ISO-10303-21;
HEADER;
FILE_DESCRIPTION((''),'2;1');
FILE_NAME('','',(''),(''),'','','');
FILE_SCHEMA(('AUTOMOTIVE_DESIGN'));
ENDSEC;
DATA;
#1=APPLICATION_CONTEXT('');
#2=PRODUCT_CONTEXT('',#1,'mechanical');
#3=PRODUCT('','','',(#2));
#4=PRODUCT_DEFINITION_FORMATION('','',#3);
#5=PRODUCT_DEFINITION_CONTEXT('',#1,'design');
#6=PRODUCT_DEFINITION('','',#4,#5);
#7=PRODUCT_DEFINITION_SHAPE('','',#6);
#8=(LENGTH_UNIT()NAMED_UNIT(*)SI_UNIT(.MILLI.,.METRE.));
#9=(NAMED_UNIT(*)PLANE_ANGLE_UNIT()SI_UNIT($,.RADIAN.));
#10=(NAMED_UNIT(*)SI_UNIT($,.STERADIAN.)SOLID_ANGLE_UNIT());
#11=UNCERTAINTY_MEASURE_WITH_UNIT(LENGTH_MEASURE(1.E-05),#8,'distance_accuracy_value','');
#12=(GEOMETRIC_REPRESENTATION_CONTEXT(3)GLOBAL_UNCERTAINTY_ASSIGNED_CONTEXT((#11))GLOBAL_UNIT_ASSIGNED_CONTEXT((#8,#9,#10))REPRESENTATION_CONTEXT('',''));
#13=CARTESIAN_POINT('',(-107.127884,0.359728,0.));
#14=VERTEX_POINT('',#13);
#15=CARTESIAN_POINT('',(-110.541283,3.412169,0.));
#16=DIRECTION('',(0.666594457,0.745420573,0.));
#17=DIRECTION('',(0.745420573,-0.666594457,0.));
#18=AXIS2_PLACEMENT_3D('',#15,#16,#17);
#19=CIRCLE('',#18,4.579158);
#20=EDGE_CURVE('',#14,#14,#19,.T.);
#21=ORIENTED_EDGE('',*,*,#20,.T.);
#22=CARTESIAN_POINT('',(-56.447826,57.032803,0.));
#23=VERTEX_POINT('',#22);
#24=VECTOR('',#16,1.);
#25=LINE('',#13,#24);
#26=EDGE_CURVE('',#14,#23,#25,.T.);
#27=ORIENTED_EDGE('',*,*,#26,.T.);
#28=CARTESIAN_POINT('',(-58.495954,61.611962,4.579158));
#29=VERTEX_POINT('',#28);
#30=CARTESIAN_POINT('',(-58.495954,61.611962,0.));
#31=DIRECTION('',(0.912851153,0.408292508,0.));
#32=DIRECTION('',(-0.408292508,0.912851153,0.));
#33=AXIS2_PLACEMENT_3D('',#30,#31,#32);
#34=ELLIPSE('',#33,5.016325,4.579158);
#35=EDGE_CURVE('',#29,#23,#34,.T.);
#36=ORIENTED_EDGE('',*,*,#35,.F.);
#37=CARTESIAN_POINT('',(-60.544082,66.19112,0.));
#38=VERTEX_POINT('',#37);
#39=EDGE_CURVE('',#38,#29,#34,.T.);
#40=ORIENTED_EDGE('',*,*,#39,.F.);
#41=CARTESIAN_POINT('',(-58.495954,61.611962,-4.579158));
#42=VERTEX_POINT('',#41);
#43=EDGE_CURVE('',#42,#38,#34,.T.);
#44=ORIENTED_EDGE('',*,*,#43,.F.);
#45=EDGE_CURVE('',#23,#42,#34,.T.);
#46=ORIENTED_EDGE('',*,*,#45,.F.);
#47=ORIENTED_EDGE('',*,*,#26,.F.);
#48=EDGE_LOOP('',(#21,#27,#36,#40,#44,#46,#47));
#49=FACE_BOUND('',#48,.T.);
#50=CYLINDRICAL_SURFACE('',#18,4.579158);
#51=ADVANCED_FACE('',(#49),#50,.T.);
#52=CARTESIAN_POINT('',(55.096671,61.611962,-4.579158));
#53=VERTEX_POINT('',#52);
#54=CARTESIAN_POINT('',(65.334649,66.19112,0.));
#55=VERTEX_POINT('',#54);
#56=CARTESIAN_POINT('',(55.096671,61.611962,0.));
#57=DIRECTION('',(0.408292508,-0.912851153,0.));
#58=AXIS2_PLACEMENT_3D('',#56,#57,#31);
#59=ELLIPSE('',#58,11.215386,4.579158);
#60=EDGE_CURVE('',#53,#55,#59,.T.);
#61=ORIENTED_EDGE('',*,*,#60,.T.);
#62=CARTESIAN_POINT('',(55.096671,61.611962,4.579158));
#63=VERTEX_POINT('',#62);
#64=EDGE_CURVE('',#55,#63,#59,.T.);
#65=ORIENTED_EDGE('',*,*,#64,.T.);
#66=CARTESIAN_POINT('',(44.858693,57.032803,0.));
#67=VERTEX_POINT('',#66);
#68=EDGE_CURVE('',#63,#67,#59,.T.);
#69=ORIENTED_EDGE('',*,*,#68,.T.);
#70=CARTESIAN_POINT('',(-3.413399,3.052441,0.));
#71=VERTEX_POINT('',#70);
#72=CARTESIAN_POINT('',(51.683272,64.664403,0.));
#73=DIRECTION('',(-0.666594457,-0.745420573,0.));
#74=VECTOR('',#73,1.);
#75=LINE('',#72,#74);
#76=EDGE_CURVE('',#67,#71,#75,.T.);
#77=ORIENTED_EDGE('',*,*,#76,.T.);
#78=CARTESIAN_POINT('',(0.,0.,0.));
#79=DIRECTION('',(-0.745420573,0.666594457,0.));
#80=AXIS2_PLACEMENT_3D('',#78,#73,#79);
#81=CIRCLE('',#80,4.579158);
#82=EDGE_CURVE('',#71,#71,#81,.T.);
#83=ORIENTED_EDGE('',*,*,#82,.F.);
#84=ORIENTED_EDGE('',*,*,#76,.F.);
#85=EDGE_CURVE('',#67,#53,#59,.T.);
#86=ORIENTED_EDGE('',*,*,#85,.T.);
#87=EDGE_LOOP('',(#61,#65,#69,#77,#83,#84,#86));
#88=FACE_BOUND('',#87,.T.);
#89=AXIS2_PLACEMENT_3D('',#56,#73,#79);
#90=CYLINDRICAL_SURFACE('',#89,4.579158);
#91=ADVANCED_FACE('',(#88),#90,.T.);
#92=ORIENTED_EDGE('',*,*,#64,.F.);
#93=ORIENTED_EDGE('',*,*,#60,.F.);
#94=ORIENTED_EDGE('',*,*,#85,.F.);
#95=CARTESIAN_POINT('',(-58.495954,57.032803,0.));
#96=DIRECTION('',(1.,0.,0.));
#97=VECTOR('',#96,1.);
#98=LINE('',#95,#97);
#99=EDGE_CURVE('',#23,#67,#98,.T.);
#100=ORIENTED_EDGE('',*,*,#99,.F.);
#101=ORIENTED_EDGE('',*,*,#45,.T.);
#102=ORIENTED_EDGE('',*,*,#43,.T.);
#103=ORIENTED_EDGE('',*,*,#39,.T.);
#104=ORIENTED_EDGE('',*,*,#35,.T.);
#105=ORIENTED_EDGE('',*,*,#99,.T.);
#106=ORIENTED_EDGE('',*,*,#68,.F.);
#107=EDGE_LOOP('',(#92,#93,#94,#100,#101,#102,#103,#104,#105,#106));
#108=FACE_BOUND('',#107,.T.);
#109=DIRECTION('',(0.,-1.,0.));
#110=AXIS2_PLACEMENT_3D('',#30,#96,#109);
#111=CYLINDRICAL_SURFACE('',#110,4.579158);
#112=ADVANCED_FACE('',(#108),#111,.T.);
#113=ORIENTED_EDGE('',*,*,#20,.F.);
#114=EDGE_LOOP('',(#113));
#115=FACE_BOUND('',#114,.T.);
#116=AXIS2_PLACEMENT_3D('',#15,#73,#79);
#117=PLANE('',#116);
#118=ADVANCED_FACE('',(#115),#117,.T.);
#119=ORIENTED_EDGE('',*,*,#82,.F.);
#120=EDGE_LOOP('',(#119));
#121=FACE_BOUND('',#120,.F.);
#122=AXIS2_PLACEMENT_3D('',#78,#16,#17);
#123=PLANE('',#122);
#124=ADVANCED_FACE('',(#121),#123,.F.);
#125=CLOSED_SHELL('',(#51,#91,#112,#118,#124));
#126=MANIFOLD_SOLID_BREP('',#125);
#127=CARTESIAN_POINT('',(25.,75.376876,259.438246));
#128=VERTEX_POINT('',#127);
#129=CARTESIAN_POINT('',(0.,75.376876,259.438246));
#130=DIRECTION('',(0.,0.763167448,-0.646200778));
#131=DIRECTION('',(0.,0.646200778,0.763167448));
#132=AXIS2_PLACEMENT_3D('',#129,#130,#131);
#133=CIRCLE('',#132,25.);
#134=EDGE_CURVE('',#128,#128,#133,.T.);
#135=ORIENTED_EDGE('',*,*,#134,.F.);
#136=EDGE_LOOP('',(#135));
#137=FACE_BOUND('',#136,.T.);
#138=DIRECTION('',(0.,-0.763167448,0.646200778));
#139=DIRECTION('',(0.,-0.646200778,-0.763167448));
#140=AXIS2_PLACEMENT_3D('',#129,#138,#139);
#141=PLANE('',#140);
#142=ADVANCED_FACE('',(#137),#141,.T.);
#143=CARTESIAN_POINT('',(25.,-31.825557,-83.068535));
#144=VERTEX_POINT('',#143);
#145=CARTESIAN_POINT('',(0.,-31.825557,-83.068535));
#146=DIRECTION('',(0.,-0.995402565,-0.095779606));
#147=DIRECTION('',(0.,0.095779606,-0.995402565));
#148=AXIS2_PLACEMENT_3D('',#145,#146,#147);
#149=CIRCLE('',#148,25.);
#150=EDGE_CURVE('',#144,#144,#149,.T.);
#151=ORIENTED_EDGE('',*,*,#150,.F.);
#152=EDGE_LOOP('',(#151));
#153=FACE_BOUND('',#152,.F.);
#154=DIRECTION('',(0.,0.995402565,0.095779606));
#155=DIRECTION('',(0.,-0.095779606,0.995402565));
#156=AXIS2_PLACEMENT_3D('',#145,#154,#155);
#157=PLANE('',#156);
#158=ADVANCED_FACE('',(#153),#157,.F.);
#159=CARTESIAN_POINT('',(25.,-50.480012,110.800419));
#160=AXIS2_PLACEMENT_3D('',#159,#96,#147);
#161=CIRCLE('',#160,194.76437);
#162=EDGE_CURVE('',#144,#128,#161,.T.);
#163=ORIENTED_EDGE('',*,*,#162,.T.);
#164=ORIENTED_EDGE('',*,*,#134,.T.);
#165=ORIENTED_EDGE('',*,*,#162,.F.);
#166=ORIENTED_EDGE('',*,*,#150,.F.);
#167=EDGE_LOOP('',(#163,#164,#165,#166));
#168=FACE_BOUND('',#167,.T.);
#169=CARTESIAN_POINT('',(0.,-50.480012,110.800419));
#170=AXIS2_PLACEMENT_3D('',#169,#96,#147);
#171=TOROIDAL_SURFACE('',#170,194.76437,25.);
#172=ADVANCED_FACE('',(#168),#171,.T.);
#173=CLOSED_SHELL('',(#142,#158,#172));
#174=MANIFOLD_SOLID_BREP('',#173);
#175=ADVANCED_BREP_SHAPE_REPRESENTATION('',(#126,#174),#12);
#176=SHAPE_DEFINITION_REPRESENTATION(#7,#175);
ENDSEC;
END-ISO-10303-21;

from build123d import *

# Parameters (mm, degrees)
F2_R = 4.5791581491
F6_R = 25


with BuildPart() as f3:
    # F3: sweep along a path in F0
    with BuildLine(Plane.XY) as f3_path:
        Line((-110.5412829027, 3.412168975), (-58.4959536791, 61.6119615734))
        Line((-58.4959536791, 61.6119615734), (55.0966709852, 61.6119615734))
        Line((55.0966709852, 61.6119615734), (0, 0))
    # F2 (on line) → F3 (sweep)
    with BuildSketch(Plane(origin=(-21.4006684769, -23.9313399569, 0), x_dir=(0.7454205728, -0.6665944566, 0), z_dir=(-0.6665944566, -0.7454205728, 0))):
        with Locations((-84.6742793463, 0)):
            Circle(F2_R)
    sweep(path=f3_path.line, transition=Transition.RIGHT)


with BuildPart() as f7:
    # F7: sweep along a path in F4
    with BuildLine(Plane.YZ) as f7_path:
        ThreePointArc((-31.8255573511, -83.0685347319), (135.3925406558, 52.6234982696), (75.3768756986, 259.4382464886))
    # F6 (on face) → F7 (sweep)
    with BuildSketch(Plane(origin=(0, 27.0815086351, 86.5241589145), x_dir=(1, 0, 0), z_dir=(0, 0.2987041249, 0.9543457685))):
        with Locations((0, 113.4924422574)):
            Circle(F6_R)
    sweep(path=f7_path.line)


solid = Compound([f3.part, f7.part])
